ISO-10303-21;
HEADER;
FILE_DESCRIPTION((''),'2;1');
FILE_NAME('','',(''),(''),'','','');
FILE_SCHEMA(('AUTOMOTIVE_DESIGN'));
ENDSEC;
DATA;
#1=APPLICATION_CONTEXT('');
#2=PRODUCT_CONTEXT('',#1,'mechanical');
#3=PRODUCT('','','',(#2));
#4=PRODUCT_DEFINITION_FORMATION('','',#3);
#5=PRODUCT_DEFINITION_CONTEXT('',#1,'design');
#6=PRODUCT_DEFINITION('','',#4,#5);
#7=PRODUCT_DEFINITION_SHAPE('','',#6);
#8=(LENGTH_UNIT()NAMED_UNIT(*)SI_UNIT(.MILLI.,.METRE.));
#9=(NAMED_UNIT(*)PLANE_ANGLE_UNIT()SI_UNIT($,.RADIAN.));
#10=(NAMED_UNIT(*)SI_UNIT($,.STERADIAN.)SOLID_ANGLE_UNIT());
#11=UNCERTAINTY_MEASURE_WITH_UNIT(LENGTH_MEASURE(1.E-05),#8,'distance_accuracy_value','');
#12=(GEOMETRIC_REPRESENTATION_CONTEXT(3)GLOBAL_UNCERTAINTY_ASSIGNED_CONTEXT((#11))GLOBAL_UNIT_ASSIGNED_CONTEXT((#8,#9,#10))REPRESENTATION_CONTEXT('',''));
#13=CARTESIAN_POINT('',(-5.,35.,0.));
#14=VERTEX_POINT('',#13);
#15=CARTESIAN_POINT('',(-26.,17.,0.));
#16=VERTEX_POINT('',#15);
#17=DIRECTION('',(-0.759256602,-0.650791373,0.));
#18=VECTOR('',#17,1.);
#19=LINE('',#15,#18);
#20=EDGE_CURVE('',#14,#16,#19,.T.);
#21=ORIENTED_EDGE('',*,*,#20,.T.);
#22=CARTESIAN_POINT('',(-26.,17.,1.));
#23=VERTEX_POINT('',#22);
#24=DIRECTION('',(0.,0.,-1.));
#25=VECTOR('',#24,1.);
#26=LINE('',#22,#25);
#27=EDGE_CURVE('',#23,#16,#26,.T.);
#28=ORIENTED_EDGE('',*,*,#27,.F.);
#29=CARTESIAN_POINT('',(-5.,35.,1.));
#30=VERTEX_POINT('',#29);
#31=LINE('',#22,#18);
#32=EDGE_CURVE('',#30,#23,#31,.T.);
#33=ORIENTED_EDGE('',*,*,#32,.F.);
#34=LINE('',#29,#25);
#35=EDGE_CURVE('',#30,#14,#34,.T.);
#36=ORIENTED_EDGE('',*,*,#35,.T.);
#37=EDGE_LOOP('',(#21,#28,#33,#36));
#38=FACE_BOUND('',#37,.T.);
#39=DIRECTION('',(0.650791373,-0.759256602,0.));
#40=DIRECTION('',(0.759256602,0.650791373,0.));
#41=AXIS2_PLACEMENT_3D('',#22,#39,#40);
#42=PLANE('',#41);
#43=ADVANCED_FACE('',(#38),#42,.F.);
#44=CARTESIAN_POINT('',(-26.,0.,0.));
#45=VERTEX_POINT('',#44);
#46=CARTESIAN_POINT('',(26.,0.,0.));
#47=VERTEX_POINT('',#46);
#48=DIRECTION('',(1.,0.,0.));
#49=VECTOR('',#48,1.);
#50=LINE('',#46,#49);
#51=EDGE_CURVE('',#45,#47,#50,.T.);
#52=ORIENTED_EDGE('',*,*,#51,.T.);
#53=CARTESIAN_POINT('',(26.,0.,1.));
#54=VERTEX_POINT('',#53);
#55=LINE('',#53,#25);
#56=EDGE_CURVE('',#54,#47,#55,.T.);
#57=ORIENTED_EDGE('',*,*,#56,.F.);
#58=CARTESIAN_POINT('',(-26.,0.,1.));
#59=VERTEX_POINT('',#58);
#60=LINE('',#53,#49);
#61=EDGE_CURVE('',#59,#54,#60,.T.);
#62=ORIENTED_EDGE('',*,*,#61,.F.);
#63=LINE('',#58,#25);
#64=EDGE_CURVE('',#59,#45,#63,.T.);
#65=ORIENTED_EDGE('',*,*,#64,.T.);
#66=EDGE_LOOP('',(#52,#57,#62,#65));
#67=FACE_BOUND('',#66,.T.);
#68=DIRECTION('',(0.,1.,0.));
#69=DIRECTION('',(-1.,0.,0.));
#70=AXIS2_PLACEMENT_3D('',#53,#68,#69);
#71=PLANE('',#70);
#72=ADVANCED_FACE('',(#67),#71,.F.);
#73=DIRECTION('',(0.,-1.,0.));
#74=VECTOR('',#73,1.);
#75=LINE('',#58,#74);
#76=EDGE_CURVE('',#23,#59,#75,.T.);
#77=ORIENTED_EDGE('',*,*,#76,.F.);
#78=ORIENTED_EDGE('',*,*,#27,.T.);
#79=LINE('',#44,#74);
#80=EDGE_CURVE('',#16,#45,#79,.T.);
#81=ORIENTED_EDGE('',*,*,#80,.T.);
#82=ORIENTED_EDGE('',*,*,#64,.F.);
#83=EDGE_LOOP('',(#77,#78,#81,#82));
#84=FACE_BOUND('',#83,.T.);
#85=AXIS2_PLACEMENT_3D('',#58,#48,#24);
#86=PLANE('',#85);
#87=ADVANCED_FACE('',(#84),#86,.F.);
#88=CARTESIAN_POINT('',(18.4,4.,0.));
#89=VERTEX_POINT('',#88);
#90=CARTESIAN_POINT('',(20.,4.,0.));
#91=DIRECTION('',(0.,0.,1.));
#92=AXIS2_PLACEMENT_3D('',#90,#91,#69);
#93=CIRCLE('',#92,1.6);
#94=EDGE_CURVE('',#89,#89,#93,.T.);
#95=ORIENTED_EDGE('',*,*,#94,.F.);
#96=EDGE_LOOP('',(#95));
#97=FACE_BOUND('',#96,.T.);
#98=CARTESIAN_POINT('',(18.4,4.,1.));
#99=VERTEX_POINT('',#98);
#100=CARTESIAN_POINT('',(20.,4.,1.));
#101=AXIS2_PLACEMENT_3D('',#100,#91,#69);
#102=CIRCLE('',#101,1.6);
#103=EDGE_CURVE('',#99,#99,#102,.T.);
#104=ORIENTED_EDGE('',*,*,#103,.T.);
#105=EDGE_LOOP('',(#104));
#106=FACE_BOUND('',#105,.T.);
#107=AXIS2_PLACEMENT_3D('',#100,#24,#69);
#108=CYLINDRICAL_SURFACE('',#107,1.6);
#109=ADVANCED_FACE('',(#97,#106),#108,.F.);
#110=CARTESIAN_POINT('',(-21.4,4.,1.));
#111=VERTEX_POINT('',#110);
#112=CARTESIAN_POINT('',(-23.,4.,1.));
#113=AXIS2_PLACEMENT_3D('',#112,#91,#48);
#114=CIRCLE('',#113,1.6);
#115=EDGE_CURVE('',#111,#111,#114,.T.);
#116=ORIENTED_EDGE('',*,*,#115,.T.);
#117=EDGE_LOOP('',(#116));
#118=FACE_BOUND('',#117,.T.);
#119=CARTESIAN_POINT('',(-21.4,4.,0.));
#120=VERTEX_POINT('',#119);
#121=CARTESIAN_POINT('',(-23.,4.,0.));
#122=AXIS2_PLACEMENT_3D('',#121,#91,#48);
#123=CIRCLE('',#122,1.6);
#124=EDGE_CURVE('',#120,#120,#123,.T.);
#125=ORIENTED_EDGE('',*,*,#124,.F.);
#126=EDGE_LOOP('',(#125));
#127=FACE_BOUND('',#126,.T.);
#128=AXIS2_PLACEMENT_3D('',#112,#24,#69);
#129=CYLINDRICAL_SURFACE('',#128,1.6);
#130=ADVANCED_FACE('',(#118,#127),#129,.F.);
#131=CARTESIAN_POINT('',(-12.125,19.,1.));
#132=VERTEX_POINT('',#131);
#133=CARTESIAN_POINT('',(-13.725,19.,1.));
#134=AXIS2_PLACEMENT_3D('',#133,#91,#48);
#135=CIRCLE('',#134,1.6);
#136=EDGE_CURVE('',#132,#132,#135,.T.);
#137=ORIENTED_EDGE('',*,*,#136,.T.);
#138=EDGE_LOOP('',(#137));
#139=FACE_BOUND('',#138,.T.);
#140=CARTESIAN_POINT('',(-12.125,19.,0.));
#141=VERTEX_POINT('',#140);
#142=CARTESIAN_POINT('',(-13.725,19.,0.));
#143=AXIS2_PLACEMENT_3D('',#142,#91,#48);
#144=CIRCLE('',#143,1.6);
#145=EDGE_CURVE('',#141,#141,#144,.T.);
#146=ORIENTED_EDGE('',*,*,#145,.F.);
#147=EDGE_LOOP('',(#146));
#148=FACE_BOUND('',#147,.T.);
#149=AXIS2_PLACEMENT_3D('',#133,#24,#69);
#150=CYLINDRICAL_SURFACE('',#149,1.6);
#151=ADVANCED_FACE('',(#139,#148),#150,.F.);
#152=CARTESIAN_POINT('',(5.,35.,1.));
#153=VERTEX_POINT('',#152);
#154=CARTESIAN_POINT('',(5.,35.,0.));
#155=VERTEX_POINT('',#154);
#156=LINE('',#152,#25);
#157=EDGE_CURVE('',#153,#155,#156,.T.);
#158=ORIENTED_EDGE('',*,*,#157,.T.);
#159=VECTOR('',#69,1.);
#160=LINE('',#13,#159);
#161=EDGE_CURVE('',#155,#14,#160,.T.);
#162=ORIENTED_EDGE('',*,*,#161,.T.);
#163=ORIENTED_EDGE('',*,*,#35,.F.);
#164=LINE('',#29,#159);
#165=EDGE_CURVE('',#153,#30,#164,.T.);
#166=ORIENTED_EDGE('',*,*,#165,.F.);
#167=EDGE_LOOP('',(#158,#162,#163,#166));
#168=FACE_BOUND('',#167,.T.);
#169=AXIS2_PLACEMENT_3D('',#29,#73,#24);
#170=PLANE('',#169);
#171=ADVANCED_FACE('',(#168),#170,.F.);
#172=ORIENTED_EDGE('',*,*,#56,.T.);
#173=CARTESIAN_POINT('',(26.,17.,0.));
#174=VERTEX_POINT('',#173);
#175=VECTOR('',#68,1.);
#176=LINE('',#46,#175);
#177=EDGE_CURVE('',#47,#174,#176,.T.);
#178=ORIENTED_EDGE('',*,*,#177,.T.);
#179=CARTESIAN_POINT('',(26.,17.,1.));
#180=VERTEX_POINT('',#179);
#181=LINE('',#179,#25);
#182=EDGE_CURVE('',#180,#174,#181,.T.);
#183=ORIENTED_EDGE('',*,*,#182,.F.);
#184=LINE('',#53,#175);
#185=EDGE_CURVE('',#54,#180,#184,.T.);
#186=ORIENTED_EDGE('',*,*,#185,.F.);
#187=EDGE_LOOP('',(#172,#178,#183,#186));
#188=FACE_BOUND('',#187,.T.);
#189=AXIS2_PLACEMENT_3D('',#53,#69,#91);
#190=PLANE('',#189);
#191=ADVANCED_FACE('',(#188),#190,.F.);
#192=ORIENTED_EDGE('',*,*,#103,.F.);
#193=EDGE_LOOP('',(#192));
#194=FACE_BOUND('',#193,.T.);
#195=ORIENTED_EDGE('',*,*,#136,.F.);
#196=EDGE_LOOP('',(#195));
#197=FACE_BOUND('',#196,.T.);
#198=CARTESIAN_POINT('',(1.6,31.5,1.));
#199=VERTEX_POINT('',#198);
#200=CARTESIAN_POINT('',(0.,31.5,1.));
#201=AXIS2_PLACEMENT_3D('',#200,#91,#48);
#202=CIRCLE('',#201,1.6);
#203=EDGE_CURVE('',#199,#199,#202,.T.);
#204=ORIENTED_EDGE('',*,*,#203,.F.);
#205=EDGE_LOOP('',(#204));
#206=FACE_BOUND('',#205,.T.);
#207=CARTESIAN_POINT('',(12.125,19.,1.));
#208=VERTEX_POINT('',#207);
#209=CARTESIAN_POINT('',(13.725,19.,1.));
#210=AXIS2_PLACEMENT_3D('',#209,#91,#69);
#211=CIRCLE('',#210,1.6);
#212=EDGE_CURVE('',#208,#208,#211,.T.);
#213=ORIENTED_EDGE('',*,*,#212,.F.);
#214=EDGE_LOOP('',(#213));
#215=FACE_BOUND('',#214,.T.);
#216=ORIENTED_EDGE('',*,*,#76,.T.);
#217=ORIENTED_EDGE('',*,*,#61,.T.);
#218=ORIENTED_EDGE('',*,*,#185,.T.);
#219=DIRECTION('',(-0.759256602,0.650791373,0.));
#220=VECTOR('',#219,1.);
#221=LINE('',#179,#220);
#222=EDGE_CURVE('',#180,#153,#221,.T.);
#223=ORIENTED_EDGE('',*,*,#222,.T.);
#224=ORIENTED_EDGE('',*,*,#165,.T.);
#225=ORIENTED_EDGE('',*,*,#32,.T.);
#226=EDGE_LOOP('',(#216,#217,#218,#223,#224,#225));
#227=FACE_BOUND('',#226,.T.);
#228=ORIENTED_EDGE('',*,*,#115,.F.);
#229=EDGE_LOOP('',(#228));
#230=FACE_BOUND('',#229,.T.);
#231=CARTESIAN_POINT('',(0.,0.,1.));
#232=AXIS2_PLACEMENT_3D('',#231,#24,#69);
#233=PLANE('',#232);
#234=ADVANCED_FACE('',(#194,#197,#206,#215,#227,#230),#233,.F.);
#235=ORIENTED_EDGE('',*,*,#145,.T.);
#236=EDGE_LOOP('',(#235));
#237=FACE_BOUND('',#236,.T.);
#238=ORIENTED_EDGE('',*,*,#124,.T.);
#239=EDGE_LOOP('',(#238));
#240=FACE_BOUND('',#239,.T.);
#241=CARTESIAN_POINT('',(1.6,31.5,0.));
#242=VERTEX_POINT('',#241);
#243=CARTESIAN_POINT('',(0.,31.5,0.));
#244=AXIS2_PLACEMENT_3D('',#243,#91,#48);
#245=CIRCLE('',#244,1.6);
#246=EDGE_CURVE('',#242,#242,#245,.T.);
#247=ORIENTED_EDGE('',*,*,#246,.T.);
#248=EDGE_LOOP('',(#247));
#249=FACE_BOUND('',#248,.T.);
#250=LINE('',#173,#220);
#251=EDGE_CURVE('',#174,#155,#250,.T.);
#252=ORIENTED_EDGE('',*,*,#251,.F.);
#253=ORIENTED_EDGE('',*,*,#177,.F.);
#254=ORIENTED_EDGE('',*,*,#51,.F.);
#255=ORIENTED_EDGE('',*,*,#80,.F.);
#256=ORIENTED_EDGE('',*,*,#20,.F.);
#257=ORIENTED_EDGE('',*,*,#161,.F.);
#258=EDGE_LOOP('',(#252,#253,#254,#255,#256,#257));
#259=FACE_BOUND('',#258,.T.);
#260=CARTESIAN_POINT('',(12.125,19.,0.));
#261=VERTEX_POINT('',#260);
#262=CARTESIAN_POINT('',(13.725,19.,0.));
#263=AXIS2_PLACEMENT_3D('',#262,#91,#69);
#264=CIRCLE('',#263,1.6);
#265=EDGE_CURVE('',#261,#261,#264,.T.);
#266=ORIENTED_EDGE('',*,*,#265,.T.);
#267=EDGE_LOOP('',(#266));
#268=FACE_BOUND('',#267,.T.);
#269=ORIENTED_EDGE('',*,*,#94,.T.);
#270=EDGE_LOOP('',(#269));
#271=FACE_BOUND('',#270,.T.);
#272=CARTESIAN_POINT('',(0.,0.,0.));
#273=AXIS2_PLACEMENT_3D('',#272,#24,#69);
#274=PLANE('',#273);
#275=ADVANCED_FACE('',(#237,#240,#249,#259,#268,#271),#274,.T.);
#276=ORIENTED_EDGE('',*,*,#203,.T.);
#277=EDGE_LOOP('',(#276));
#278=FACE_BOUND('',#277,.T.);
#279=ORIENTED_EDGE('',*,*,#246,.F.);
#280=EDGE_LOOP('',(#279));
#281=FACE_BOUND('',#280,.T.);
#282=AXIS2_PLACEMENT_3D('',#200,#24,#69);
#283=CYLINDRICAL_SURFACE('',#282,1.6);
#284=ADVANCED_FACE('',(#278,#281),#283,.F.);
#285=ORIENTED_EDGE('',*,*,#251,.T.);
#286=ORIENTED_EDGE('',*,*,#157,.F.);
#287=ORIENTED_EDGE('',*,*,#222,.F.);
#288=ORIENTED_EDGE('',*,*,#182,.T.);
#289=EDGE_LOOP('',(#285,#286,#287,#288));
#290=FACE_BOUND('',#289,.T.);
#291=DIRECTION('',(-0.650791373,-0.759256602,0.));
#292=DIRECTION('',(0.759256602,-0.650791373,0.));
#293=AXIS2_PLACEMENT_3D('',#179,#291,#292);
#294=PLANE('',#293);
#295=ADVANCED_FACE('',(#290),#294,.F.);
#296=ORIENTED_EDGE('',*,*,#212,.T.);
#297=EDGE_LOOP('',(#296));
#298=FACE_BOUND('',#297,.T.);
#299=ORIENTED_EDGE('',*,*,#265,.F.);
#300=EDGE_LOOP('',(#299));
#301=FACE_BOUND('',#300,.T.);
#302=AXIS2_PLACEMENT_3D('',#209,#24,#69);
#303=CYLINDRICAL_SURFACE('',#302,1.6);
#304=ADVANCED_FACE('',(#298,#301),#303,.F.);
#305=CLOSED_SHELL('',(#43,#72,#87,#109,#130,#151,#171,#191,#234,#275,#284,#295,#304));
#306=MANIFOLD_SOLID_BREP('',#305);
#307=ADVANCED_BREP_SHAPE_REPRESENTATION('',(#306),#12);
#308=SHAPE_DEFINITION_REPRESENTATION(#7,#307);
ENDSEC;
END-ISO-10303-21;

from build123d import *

# Parameters (mm, degrees)
SKETCH_1_R      = 1.6
EXTRUDE_1_DEPTH = 1


with BuildPart() as part:
    # 草图1 → 凸台-拉伸1 (new body)
    with BuildSketch(Plane.XY):
        Polygon((26, 0), (-26, 0), (-26, 17), (-5, 35), (5, 35), (26, 17), align=None)
        with Locations((-13.725, 19)):
            Circle(SKETCH_1_R, mode=Mode.SUBTRACT)
        with Locations(Location((13.725, 19, 0), (0, 0, 180))):
            Circle(SKETCH_1_R, mode=Mode.SUBTRACT)
        with Locations((-23, 4)):
            Circle(SKETCH_1_R, mode=Mode.SUBTRACT)
        with Locations(Location((20, 4, 0), (0, 0, 180))):
            Circle(SKETCH_1_R, mode=Mode.SUBTRACT)
        with Locations((0, 31.5)):
            Circle(SKETCH_1_R, mode=Mode.SUBTRACT)
    extrude(amount=EXTRUDE_1_DEPTH)


solid = part.part
